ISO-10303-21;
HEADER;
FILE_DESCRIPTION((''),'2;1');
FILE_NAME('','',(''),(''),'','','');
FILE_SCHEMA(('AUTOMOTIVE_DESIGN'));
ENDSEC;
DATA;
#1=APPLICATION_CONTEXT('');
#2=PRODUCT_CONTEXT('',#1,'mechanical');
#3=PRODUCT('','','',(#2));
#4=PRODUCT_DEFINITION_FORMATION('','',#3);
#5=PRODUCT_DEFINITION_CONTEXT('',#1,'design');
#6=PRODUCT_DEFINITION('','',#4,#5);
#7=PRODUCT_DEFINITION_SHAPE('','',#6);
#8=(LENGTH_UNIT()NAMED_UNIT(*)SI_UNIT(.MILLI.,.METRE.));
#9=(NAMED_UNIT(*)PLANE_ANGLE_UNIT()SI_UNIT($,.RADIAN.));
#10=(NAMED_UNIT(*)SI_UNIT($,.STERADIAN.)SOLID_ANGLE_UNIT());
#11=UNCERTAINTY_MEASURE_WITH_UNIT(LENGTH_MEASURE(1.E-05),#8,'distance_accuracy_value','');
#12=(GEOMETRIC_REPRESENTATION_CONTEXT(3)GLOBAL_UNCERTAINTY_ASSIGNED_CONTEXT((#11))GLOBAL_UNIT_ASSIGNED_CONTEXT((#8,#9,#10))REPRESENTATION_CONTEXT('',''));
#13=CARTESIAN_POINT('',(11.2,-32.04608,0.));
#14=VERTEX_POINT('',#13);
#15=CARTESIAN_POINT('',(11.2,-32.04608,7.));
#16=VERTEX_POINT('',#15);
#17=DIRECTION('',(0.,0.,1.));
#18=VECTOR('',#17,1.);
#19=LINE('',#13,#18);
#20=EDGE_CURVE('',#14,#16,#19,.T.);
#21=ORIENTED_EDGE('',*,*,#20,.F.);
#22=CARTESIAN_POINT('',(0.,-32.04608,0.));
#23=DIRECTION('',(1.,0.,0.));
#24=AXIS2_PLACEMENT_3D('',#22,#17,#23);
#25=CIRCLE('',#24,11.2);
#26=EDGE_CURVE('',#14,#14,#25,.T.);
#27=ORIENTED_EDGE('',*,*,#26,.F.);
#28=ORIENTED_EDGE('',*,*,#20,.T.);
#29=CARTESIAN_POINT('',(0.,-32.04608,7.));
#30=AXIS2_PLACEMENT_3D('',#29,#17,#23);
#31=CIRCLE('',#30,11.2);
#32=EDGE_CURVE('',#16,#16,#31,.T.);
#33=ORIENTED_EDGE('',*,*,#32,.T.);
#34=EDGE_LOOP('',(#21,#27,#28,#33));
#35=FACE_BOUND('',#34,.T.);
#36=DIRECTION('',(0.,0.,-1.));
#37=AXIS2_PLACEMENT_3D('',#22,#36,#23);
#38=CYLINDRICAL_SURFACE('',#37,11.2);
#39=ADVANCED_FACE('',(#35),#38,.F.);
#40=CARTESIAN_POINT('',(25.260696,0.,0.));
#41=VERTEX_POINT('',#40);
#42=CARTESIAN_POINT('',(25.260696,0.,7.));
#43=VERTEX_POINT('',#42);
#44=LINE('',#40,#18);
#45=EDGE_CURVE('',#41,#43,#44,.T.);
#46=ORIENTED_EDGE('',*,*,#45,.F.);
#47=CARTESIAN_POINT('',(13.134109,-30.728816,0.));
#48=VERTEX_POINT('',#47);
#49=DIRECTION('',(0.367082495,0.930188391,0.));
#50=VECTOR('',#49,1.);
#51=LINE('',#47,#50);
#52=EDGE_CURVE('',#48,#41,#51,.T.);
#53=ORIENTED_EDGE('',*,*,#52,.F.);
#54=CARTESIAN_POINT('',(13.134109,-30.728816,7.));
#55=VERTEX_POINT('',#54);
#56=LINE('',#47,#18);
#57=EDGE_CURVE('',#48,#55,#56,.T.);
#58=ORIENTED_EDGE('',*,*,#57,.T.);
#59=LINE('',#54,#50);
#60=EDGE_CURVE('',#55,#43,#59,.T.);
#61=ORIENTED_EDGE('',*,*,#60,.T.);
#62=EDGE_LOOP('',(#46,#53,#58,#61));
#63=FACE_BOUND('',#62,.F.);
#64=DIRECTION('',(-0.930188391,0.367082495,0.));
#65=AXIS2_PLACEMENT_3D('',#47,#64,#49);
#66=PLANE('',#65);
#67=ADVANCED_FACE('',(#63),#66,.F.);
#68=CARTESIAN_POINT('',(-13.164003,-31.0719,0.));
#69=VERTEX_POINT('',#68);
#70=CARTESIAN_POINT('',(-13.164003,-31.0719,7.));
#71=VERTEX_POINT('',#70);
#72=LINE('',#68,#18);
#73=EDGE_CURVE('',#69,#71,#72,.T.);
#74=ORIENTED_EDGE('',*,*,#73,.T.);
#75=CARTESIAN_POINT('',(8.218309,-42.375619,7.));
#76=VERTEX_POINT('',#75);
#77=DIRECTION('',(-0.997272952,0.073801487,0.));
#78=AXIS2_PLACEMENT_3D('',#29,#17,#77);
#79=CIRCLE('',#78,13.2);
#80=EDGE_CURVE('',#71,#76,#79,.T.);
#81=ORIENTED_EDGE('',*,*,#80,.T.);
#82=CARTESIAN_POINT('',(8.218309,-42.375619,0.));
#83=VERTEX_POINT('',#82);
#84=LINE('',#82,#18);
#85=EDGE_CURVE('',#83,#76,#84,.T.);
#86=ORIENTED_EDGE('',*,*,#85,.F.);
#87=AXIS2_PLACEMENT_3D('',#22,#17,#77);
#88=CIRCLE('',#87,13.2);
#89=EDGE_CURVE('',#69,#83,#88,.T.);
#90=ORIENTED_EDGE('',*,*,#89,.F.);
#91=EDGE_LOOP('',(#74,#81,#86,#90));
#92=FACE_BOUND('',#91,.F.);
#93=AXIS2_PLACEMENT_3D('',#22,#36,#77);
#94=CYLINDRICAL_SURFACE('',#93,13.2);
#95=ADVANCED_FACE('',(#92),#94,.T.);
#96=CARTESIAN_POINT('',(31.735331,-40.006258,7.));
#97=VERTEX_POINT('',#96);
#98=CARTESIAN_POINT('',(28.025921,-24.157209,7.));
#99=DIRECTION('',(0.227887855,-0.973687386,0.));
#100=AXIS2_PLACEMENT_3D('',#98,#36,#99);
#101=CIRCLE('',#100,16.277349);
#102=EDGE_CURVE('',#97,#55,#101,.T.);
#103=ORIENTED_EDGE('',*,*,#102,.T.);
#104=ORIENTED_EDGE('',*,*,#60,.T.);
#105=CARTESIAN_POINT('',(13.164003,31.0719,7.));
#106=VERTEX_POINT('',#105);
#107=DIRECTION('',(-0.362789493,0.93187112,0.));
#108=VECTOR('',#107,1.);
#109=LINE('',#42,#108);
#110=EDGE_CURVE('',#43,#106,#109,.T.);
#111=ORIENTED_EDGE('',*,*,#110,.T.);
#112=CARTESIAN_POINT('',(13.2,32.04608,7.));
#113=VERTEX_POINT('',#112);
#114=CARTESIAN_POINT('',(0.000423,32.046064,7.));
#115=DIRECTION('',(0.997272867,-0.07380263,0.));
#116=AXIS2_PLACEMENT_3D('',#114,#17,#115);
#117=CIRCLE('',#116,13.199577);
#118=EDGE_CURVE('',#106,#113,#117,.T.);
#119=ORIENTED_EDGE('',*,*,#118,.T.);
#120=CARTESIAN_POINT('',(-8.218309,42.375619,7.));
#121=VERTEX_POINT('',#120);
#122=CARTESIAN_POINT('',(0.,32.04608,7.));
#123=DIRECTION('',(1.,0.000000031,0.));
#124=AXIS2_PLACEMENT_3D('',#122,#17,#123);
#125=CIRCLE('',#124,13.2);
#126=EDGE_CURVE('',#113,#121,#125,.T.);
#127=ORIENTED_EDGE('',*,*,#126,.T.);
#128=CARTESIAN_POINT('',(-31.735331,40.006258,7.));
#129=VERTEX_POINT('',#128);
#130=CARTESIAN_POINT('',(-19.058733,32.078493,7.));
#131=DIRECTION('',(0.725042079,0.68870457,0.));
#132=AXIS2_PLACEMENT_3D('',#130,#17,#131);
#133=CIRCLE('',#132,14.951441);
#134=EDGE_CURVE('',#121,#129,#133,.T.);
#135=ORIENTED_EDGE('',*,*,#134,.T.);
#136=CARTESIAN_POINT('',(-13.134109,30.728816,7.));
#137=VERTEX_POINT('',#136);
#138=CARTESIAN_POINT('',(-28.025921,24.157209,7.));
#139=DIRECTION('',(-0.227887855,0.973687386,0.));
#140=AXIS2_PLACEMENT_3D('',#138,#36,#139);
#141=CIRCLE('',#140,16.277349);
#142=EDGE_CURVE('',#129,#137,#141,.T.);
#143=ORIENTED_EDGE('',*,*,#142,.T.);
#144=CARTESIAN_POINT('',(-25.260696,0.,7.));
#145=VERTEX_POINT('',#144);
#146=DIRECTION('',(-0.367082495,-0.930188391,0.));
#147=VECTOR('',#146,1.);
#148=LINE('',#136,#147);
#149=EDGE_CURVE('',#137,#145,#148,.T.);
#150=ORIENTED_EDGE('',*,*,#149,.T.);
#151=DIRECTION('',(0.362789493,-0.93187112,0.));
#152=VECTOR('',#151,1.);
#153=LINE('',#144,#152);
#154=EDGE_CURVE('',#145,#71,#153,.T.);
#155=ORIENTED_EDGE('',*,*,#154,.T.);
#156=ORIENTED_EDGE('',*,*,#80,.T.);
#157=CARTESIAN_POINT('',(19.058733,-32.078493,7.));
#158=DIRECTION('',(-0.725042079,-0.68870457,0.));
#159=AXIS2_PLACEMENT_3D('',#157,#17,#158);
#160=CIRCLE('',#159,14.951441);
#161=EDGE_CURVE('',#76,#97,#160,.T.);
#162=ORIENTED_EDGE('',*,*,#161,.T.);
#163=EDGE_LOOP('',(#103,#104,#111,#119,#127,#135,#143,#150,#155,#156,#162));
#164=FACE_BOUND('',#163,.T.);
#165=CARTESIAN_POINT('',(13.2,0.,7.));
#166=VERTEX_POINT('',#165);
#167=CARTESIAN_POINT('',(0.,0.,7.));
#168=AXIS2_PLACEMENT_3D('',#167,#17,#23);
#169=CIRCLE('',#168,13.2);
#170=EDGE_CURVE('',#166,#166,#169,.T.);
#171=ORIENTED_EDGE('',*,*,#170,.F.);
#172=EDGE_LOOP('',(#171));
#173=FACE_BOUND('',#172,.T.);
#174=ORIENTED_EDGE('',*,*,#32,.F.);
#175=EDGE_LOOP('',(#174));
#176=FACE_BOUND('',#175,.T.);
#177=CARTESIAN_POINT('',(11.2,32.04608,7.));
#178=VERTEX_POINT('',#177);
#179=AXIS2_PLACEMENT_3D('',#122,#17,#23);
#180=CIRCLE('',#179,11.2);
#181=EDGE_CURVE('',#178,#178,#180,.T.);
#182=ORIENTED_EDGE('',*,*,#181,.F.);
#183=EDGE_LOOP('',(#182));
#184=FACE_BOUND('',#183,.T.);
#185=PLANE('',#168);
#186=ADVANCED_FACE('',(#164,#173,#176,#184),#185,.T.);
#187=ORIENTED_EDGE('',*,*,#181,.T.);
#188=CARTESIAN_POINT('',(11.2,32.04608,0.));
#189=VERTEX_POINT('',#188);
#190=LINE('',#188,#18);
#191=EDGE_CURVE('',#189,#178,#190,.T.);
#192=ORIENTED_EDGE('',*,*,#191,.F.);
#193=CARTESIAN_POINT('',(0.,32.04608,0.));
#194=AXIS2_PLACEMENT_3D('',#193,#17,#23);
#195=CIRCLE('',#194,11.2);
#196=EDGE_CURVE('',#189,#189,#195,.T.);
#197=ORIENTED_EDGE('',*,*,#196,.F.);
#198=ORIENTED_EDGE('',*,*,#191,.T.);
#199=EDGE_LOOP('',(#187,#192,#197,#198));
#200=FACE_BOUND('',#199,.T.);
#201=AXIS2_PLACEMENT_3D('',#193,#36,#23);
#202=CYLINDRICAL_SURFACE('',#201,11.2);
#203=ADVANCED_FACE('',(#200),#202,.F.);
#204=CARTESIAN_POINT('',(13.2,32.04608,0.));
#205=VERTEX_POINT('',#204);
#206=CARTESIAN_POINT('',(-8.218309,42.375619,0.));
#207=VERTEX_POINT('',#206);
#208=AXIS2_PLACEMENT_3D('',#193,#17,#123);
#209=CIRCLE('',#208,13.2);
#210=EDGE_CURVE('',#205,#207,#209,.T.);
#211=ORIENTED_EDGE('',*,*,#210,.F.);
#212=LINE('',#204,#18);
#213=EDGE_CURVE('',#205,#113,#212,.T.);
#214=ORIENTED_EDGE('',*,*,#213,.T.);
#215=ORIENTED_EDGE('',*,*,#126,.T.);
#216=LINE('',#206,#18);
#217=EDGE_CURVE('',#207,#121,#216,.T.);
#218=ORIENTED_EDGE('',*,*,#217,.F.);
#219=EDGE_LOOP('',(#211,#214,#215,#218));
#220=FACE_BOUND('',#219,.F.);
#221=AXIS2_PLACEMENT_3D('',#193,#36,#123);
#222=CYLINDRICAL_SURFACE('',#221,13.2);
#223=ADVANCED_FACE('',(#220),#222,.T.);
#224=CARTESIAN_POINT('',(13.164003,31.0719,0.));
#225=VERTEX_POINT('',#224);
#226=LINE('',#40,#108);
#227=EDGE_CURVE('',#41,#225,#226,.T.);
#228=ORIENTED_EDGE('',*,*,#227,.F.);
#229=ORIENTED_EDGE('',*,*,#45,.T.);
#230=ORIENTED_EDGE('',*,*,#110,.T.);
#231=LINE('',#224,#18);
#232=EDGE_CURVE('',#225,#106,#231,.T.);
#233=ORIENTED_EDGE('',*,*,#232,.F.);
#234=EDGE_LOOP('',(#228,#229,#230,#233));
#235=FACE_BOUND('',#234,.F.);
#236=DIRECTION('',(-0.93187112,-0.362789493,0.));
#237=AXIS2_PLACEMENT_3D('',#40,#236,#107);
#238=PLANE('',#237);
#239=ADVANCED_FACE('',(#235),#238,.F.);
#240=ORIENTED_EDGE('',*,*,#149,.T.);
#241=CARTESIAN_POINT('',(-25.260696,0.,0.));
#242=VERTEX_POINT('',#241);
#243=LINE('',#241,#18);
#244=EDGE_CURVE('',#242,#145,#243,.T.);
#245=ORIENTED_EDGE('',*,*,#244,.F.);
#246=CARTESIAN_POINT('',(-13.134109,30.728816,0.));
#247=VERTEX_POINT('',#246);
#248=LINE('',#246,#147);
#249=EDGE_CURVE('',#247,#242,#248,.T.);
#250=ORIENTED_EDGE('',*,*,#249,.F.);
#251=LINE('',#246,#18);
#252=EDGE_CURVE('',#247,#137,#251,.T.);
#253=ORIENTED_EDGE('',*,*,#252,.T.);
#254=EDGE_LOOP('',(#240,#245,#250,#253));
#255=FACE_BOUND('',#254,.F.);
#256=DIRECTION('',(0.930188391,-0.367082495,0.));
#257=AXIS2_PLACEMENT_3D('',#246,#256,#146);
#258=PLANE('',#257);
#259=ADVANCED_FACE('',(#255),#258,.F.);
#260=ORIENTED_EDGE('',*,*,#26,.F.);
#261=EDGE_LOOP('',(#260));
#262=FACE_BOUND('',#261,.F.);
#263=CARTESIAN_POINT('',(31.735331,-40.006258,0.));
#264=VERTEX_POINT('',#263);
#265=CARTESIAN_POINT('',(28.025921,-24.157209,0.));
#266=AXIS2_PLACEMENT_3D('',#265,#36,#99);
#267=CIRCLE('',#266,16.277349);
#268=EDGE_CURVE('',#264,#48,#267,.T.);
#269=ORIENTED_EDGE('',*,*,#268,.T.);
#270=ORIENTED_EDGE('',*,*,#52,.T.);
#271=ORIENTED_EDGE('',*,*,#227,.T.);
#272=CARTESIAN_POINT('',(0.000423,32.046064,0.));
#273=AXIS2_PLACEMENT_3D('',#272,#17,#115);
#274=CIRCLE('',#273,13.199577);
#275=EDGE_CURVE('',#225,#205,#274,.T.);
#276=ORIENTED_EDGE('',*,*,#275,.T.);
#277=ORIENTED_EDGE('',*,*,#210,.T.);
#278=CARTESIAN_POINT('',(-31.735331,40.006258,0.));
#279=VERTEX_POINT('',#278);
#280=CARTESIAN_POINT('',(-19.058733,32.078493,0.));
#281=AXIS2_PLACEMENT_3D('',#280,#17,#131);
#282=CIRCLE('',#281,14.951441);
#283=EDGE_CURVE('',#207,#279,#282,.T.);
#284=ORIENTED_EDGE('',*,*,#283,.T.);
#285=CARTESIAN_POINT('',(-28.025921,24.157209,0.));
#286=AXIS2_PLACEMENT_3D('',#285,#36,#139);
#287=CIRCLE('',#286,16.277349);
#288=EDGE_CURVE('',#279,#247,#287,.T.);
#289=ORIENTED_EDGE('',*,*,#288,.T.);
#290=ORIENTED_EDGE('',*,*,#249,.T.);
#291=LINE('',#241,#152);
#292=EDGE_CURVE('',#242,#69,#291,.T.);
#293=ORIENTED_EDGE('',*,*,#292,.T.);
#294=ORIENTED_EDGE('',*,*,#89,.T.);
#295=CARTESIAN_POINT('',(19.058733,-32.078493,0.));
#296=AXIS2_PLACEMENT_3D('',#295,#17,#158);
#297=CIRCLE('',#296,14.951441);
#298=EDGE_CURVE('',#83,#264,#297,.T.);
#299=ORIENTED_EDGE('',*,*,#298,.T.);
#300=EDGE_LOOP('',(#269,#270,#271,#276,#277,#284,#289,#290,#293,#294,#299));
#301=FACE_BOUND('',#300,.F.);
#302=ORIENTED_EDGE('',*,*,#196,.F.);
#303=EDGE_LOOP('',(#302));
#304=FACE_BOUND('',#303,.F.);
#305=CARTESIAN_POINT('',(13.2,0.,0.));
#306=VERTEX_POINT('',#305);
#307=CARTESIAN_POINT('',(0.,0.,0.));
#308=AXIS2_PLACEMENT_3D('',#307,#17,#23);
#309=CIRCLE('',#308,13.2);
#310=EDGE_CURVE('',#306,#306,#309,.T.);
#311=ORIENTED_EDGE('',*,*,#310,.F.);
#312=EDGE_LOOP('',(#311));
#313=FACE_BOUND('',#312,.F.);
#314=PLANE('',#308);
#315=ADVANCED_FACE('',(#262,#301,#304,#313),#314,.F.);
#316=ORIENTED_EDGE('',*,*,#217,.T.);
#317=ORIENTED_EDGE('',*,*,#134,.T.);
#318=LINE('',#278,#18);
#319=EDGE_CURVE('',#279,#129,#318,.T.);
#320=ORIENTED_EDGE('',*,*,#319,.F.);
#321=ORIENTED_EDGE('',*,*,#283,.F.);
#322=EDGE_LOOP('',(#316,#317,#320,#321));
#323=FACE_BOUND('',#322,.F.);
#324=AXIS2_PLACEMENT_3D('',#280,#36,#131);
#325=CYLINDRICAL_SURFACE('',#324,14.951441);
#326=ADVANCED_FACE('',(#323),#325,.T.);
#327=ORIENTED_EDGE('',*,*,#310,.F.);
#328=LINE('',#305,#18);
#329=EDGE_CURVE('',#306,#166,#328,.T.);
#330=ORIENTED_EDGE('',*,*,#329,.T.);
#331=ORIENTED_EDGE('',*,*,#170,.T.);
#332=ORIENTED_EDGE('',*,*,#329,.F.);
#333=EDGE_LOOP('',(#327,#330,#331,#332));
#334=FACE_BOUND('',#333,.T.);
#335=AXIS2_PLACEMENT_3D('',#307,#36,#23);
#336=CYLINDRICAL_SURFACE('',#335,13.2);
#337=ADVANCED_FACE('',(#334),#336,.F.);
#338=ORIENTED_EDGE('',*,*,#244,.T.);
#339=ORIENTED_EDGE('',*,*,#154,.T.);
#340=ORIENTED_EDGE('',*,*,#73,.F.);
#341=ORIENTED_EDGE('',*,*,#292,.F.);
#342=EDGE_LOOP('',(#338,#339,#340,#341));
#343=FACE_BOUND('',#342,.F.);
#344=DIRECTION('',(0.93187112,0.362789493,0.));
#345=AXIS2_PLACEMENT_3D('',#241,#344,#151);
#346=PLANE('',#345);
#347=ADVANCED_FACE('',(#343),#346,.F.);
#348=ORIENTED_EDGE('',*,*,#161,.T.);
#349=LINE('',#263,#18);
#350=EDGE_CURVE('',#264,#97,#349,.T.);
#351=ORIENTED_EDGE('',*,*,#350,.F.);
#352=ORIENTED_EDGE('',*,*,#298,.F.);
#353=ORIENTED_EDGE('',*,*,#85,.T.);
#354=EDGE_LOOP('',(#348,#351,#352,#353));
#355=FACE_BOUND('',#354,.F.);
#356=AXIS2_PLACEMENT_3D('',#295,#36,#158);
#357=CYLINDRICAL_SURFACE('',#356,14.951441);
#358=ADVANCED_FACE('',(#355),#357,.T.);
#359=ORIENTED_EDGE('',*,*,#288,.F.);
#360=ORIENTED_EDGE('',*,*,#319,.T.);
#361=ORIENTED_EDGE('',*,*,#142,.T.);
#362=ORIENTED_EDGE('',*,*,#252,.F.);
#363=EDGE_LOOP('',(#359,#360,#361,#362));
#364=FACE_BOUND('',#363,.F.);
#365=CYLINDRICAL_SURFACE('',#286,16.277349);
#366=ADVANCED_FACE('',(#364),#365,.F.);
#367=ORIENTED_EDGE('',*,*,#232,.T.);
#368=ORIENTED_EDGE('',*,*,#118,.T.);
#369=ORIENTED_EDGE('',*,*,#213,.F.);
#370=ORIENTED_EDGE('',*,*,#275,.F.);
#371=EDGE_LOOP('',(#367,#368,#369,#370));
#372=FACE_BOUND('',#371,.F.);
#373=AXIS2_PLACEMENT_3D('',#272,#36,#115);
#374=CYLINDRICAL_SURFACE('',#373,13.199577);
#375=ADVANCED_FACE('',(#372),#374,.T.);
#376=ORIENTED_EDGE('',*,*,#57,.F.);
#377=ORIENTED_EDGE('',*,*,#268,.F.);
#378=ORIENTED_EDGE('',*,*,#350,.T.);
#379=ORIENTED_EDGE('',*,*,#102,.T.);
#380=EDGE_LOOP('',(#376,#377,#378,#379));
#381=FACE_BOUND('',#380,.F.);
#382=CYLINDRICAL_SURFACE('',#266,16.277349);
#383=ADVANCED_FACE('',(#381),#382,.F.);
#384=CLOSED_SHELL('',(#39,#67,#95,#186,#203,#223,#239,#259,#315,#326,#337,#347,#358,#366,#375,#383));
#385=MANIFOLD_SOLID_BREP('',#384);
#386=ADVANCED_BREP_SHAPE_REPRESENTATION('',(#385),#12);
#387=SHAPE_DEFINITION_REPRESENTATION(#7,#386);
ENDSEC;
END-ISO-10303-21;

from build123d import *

# Parameters (mm, degrees)
F0_R     = 13.2
F0_R_2   = 11.2
F1_DEPTH = 7


with BuildPart() as f1:
    # F0 (on Top) → F1 (new body)
    with BuildSketch(Plane.XY):
        with BuildLine():
            Line((25.260696, 0), (13.164003, 31.0719))
            ThreePointArc((13.164003, 31.0719), (0.172192, 18.847203), (-13.134109, 30.728816))
            Line((-13.134109, 30.728816), (-25.260696, 0))
            Line((-25.260696, 0), (-13.164003, -31.0719))
            ThreePointArc((-13.164003, -31.0719), (-0.172192, -18.847203), (13.134109, -30.728816))
            Line((13.134109, -30.728816), (25.260696, 0))
        make_face()
        Circle(F0_R, mode=Mode.SUBTRACT)
        with BuildLine():
            ThreePointArc((13.164003, 31.0719), (13.190998, 31.558658), (13.2, 32.04608))
            ThreePointArc((13.2, 32.04608), (5.734035, 43.935606), (-8.218309, 42.375619))
            ThreePointArc((-8.218309, 42.375619), (-12.161145, 37.178969), (-13.134109, 30.728816))
            ThreePointArc((-13.134109, 30.728816), (0.172192, 18.847203), (13.164003, 31.0719))
        make_face()
        with Locations((0, 32.04608)):
            Circle(F0_R_2, mode=Mode.SUBTRACT)
        with BuildLine():
            ThreePointArc((-13.134109, 30.728816), (-12.161145, 37.178969), (-8.218309, 42.375619))
            ThreePointArc((-8.218309, 42.375619), (-20.557517, 46.954623), (-31.735331, 40.006258))
            ThreePointArc((-31.735331, 40.006258), (-20.760987, 38.723362), (-13.134109, 30.728816))
        make_face()
        with BuildLine():
            ThreePointArc((13.2, -32.04608), (13.183517, -31.386624), (13.134109, -30.728816))
            ThreePointArc((13.134109, -30.728816), (-0.172192, -18.847203), (-13.164003, -31.0719))
            ThreePointArc((-13.164003, -31.0719), (-6.169156, -43.715763), (8.218309, -42.375619))
            ThreePointArc((8.218309, -42.375619), (11.889527, -37.780115), (13.2, -32.04608))
        make_face()
        with Locations((0, -32.04608)):
            Circle(F0_R_2, mode=Mode.SUBTRACT)
        with BuildLine():
            ThreePointArc((31.735331, -40.006258), (20.760987, -38.723362), (13.134109, -30.728816))
            ThreePointArc((13.134109, -30.728816), (13.183517, -31.386624), (13.2, -32.04608))
            ThreePointArc((13.2, -32.04608), (11.889527, -37.780115), (8.218309, -42.375619))
            ThreePointArc((8.218309, -42.375619), (20.557517, -46.954623), (31.735331, -40.006258))
        make_face()
    extrude(amount=F1_DEPTH)


solid = f1.part
